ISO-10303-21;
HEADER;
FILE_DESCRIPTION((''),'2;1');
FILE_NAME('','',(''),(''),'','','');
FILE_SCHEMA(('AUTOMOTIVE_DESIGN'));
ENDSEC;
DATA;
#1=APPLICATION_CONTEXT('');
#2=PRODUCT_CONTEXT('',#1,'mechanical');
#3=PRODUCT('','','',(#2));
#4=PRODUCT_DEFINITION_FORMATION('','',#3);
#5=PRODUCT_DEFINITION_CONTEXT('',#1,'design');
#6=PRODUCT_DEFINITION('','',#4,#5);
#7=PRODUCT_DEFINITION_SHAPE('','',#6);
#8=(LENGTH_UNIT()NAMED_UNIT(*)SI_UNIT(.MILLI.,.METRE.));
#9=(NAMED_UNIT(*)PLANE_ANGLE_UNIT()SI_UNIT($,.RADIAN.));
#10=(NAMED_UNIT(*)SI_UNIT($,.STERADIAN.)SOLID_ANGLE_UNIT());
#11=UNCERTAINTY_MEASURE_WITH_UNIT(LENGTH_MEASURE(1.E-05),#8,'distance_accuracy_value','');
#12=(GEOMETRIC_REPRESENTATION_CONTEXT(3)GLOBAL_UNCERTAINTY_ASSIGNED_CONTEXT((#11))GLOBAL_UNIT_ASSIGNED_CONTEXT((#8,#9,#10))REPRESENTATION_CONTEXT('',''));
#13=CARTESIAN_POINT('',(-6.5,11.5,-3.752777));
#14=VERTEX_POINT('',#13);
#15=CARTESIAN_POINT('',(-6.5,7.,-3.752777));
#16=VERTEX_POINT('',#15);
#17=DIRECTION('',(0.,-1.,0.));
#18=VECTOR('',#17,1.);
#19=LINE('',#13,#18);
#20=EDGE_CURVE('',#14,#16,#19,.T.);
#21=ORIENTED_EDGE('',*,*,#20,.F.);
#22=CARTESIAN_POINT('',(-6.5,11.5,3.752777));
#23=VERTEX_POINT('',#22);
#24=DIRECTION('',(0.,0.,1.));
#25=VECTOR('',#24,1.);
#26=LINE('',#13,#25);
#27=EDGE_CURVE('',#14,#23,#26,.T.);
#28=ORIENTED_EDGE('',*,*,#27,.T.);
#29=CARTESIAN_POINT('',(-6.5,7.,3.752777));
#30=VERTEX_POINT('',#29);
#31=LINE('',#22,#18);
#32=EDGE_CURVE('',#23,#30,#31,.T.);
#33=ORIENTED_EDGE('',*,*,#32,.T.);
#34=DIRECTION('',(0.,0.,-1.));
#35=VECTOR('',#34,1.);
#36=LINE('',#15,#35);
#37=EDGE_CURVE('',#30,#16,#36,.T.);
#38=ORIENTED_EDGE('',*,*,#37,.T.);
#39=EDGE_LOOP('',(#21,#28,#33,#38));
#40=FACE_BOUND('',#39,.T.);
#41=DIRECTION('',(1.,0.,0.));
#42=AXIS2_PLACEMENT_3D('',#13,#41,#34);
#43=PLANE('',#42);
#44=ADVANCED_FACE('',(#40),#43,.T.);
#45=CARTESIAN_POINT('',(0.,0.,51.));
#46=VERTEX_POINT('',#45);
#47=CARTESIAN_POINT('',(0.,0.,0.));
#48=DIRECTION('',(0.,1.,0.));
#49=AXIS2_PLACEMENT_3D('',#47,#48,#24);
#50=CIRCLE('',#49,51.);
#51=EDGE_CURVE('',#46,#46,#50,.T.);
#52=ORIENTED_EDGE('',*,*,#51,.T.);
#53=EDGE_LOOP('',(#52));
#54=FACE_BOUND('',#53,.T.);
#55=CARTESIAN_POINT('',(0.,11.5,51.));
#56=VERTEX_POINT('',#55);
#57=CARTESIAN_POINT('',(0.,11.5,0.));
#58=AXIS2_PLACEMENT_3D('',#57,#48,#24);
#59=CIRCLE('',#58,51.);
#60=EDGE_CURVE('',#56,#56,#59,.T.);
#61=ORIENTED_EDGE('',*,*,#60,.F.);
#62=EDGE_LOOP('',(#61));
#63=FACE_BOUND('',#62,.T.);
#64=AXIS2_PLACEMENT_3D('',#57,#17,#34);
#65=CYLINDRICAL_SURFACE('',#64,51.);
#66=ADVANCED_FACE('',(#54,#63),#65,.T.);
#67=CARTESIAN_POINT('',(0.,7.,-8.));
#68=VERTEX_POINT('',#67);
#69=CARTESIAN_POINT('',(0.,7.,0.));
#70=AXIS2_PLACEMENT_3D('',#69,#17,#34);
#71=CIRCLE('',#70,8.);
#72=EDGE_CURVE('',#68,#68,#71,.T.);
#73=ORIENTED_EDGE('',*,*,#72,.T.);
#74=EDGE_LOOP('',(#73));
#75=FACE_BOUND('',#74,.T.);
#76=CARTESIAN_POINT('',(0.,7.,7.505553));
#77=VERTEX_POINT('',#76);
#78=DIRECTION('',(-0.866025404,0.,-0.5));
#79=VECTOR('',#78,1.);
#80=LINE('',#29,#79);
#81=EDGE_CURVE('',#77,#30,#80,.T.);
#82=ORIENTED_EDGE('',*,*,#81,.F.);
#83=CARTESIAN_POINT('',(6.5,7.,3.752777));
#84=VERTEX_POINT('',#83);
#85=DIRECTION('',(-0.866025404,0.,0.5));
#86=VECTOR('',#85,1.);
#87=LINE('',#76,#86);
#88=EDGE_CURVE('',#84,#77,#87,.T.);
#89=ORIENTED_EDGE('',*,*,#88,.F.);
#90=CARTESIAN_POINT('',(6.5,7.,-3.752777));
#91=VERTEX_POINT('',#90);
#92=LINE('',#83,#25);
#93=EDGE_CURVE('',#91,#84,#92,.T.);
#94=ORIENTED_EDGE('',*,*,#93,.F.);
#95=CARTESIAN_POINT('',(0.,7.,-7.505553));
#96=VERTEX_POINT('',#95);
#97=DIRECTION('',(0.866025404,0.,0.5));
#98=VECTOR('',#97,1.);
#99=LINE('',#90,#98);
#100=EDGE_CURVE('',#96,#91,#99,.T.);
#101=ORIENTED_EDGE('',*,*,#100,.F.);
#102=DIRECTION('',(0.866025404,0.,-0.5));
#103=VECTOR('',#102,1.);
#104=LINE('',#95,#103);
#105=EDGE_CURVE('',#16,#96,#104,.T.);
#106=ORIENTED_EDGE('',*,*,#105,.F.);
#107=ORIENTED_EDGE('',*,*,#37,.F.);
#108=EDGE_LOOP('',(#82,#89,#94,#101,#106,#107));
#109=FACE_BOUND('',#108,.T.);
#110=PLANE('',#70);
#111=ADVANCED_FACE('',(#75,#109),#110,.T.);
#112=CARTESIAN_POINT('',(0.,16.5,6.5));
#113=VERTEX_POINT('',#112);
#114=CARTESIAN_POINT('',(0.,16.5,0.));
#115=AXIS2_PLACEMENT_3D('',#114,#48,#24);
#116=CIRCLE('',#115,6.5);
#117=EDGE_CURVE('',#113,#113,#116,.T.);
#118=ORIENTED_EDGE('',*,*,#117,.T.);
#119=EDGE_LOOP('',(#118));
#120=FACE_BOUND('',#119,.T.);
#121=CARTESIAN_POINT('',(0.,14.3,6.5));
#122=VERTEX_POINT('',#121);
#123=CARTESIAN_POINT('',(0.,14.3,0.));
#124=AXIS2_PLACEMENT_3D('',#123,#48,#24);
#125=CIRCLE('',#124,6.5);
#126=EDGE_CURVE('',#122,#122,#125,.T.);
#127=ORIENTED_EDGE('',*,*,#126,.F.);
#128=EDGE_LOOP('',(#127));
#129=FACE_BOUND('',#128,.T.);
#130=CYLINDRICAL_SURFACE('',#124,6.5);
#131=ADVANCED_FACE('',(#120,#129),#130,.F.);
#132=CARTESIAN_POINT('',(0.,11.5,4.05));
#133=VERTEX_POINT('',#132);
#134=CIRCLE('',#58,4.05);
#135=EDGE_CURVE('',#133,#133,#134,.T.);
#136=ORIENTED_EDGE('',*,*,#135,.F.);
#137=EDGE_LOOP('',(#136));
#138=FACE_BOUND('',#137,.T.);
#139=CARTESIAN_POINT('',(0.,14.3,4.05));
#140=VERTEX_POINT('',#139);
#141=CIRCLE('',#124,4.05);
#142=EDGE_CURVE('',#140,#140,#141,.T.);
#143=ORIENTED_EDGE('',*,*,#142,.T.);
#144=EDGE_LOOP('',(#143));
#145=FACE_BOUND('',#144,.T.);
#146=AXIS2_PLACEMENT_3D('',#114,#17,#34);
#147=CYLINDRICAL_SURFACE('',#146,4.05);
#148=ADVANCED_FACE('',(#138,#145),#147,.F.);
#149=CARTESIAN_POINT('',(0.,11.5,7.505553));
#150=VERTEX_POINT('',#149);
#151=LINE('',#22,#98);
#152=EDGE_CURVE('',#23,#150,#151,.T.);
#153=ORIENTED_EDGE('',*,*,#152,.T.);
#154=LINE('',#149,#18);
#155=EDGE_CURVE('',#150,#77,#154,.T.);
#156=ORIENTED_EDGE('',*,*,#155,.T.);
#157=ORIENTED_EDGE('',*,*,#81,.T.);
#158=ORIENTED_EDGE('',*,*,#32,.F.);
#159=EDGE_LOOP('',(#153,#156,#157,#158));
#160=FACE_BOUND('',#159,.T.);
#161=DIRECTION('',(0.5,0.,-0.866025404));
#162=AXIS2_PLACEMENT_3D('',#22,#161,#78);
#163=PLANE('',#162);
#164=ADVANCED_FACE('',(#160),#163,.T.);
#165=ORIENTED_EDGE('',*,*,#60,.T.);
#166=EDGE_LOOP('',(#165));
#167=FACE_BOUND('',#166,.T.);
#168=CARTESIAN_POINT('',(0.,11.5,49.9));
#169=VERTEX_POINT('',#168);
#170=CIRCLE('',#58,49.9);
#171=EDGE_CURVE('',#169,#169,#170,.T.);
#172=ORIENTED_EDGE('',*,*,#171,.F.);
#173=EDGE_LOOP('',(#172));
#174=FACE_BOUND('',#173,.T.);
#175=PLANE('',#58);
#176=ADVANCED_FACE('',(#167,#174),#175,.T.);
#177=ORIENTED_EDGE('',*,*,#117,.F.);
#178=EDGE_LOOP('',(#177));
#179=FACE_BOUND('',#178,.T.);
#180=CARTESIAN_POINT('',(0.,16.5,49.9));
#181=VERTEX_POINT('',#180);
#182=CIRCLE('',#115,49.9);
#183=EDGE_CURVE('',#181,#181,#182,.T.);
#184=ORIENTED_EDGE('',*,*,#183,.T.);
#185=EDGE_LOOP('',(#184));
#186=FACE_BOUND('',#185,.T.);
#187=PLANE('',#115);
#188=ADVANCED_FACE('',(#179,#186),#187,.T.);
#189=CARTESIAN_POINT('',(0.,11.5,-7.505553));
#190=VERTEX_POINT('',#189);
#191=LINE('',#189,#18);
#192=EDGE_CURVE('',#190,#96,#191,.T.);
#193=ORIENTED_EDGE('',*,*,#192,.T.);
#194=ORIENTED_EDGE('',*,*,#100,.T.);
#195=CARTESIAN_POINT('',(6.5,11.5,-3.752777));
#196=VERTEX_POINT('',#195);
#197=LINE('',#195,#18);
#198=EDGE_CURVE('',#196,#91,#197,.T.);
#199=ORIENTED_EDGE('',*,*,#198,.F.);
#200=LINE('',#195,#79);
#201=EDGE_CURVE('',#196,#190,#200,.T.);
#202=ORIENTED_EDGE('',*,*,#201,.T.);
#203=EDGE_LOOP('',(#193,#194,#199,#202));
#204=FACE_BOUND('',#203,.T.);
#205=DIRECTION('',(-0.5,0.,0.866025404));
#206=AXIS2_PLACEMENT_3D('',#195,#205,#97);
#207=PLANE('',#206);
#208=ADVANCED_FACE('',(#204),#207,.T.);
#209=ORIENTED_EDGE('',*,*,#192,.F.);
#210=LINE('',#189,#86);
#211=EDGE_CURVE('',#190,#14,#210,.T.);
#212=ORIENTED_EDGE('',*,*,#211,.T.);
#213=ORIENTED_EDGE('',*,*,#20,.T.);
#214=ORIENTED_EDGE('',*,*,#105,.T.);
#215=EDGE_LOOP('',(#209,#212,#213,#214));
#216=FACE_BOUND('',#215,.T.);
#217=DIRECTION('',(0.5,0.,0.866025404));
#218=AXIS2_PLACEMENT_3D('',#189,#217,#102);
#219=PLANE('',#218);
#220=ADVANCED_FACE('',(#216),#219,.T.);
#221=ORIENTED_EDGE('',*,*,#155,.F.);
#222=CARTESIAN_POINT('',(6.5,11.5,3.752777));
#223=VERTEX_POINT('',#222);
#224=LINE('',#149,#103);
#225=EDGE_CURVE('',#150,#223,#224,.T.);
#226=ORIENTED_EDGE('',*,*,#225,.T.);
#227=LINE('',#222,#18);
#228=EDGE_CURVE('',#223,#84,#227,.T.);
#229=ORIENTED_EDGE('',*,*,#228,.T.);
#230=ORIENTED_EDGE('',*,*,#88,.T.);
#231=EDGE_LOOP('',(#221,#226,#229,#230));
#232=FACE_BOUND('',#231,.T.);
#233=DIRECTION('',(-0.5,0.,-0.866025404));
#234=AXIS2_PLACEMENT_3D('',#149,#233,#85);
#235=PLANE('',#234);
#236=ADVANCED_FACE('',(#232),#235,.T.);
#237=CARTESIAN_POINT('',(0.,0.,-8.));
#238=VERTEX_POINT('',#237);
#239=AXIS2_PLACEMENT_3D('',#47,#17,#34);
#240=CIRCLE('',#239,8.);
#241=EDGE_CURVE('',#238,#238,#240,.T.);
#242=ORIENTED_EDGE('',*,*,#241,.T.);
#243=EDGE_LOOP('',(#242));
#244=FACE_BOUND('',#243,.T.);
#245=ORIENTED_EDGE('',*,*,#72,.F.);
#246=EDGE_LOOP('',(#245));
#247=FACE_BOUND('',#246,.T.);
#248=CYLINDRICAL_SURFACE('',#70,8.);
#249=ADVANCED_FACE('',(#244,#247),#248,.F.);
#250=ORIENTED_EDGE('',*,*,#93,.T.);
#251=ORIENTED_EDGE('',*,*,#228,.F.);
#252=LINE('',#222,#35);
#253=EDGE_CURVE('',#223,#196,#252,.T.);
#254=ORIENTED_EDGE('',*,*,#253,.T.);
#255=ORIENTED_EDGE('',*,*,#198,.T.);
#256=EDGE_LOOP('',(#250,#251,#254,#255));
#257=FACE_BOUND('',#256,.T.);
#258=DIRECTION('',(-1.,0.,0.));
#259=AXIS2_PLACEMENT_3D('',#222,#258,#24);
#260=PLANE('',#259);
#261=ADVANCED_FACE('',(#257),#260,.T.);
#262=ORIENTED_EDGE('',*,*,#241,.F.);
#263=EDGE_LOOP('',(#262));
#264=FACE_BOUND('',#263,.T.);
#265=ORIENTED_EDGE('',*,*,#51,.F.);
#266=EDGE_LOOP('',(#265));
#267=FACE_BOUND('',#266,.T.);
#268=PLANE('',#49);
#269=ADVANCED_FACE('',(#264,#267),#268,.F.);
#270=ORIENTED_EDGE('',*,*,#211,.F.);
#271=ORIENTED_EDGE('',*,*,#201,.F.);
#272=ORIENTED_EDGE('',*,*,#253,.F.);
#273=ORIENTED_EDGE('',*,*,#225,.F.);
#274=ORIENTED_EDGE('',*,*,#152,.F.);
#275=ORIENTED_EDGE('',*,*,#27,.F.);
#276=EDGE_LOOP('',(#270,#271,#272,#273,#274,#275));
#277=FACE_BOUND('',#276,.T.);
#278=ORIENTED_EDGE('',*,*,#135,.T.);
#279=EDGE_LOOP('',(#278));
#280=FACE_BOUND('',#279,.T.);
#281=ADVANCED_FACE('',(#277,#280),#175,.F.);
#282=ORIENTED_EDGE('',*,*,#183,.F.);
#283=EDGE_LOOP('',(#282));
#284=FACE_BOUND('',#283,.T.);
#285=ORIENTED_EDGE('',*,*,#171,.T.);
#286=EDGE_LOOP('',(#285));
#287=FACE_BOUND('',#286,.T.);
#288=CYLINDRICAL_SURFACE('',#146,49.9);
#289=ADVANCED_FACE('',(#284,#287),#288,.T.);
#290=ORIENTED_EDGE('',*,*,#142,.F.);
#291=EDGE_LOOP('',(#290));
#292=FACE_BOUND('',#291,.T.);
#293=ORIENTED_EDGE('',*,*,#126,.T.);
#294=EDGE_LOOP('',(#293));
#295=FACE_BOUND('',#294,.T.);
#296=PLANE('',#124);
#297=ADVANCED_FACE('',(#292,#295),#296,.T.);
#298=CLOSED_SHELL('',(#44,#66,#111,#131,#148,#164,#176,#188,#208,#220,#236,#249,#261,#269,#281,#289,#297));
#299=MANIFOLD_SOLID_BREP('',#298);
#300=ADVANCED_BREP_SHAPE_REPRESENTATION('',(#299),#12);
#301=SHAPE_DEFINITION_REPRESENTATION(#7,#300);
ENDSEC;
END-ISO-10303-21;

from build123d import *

# Parameters (mm, degrees)
SKETCH1_R           = 51
BOSS_EXTRUDE1_DEPTH = 11.5
SKETCH2_R           = 49.9
SKETCH2_R_2         = 4.05
BOSS_EXTRUDE2_DEPTH = 5
SKETCH3_R           = 8
CUT_EXTRUDE1_DEPTH  = 7
SKETCH4_R           = 6.5
CUT_EXTRUDE2_DEPTH  = 2.2


with BuildPart() as part:
    # Sketch1 → Boss-Extrude1 (new body)
    with BuildSketch(Plane(origin=(0, 0, 0), x_dir=(1, 0, 0), z_dir=(0, 1, 0))):
        with Locations(Location((0, 0, 0), (0, 0, 270))):
            Circle(SKETCH1_R)
        Polygon((0, 7.505553499), (-6.5, 3.75277675), (-6.5, -3.75277675), (0, -7.505553499), (6.5, -3.75277675), (6.5, 3.75277675), align=None, mode=Mode.SUBTRACT)
    extrude(amount=BOSS_EXTRUDE1_DEPTH)

    # Sketch2 → Boss-Extrude2 (add)
    with BuildSketch(Plane(origin=(0, 11.5, 0), x_dir=(1, 0, 0), z_dir=(0, 1, 0))):
        with Locations(Location((0, 0, 0), (0, 0, 270))):
            Circle(SKETCH2_R)
        with Locations(Location((0, 0, 0), (0, 0, 270))):
            Circle(SKETCH2_R_2, mode=Mode.SUBTRACT)
    extrude(amount=BOSS_EXTRUDE2_DEPTH)

    # Sketch3 → Cut-Extrude1 (cut)
    with BuildSketch(Plane.XZ):
        with Locations(Location((0, 0, 0), (0, 0, 270))):
            Circle(SKETCH3_R)
    extrude(amount=-CUT_EXTRUDE1_DEPTH, mode=Mode.SUBTRACT)

    # Sketch4 → Cut-Extrude2 (cut)
    with BuildSketch(Plane(origin=(0, 16.5, 0), x_dir=(1, 0, 0), z_dir=(0, 1, 0))):
        with Locations(Location((0, 0, 0), (0, 0, 270))):
            Circle(SKETCH4_R)
    extrude(amount=-CUT_EXTRUDE2_DEPTH, mode=Mode.SUBTRACT)


solid = part.part
